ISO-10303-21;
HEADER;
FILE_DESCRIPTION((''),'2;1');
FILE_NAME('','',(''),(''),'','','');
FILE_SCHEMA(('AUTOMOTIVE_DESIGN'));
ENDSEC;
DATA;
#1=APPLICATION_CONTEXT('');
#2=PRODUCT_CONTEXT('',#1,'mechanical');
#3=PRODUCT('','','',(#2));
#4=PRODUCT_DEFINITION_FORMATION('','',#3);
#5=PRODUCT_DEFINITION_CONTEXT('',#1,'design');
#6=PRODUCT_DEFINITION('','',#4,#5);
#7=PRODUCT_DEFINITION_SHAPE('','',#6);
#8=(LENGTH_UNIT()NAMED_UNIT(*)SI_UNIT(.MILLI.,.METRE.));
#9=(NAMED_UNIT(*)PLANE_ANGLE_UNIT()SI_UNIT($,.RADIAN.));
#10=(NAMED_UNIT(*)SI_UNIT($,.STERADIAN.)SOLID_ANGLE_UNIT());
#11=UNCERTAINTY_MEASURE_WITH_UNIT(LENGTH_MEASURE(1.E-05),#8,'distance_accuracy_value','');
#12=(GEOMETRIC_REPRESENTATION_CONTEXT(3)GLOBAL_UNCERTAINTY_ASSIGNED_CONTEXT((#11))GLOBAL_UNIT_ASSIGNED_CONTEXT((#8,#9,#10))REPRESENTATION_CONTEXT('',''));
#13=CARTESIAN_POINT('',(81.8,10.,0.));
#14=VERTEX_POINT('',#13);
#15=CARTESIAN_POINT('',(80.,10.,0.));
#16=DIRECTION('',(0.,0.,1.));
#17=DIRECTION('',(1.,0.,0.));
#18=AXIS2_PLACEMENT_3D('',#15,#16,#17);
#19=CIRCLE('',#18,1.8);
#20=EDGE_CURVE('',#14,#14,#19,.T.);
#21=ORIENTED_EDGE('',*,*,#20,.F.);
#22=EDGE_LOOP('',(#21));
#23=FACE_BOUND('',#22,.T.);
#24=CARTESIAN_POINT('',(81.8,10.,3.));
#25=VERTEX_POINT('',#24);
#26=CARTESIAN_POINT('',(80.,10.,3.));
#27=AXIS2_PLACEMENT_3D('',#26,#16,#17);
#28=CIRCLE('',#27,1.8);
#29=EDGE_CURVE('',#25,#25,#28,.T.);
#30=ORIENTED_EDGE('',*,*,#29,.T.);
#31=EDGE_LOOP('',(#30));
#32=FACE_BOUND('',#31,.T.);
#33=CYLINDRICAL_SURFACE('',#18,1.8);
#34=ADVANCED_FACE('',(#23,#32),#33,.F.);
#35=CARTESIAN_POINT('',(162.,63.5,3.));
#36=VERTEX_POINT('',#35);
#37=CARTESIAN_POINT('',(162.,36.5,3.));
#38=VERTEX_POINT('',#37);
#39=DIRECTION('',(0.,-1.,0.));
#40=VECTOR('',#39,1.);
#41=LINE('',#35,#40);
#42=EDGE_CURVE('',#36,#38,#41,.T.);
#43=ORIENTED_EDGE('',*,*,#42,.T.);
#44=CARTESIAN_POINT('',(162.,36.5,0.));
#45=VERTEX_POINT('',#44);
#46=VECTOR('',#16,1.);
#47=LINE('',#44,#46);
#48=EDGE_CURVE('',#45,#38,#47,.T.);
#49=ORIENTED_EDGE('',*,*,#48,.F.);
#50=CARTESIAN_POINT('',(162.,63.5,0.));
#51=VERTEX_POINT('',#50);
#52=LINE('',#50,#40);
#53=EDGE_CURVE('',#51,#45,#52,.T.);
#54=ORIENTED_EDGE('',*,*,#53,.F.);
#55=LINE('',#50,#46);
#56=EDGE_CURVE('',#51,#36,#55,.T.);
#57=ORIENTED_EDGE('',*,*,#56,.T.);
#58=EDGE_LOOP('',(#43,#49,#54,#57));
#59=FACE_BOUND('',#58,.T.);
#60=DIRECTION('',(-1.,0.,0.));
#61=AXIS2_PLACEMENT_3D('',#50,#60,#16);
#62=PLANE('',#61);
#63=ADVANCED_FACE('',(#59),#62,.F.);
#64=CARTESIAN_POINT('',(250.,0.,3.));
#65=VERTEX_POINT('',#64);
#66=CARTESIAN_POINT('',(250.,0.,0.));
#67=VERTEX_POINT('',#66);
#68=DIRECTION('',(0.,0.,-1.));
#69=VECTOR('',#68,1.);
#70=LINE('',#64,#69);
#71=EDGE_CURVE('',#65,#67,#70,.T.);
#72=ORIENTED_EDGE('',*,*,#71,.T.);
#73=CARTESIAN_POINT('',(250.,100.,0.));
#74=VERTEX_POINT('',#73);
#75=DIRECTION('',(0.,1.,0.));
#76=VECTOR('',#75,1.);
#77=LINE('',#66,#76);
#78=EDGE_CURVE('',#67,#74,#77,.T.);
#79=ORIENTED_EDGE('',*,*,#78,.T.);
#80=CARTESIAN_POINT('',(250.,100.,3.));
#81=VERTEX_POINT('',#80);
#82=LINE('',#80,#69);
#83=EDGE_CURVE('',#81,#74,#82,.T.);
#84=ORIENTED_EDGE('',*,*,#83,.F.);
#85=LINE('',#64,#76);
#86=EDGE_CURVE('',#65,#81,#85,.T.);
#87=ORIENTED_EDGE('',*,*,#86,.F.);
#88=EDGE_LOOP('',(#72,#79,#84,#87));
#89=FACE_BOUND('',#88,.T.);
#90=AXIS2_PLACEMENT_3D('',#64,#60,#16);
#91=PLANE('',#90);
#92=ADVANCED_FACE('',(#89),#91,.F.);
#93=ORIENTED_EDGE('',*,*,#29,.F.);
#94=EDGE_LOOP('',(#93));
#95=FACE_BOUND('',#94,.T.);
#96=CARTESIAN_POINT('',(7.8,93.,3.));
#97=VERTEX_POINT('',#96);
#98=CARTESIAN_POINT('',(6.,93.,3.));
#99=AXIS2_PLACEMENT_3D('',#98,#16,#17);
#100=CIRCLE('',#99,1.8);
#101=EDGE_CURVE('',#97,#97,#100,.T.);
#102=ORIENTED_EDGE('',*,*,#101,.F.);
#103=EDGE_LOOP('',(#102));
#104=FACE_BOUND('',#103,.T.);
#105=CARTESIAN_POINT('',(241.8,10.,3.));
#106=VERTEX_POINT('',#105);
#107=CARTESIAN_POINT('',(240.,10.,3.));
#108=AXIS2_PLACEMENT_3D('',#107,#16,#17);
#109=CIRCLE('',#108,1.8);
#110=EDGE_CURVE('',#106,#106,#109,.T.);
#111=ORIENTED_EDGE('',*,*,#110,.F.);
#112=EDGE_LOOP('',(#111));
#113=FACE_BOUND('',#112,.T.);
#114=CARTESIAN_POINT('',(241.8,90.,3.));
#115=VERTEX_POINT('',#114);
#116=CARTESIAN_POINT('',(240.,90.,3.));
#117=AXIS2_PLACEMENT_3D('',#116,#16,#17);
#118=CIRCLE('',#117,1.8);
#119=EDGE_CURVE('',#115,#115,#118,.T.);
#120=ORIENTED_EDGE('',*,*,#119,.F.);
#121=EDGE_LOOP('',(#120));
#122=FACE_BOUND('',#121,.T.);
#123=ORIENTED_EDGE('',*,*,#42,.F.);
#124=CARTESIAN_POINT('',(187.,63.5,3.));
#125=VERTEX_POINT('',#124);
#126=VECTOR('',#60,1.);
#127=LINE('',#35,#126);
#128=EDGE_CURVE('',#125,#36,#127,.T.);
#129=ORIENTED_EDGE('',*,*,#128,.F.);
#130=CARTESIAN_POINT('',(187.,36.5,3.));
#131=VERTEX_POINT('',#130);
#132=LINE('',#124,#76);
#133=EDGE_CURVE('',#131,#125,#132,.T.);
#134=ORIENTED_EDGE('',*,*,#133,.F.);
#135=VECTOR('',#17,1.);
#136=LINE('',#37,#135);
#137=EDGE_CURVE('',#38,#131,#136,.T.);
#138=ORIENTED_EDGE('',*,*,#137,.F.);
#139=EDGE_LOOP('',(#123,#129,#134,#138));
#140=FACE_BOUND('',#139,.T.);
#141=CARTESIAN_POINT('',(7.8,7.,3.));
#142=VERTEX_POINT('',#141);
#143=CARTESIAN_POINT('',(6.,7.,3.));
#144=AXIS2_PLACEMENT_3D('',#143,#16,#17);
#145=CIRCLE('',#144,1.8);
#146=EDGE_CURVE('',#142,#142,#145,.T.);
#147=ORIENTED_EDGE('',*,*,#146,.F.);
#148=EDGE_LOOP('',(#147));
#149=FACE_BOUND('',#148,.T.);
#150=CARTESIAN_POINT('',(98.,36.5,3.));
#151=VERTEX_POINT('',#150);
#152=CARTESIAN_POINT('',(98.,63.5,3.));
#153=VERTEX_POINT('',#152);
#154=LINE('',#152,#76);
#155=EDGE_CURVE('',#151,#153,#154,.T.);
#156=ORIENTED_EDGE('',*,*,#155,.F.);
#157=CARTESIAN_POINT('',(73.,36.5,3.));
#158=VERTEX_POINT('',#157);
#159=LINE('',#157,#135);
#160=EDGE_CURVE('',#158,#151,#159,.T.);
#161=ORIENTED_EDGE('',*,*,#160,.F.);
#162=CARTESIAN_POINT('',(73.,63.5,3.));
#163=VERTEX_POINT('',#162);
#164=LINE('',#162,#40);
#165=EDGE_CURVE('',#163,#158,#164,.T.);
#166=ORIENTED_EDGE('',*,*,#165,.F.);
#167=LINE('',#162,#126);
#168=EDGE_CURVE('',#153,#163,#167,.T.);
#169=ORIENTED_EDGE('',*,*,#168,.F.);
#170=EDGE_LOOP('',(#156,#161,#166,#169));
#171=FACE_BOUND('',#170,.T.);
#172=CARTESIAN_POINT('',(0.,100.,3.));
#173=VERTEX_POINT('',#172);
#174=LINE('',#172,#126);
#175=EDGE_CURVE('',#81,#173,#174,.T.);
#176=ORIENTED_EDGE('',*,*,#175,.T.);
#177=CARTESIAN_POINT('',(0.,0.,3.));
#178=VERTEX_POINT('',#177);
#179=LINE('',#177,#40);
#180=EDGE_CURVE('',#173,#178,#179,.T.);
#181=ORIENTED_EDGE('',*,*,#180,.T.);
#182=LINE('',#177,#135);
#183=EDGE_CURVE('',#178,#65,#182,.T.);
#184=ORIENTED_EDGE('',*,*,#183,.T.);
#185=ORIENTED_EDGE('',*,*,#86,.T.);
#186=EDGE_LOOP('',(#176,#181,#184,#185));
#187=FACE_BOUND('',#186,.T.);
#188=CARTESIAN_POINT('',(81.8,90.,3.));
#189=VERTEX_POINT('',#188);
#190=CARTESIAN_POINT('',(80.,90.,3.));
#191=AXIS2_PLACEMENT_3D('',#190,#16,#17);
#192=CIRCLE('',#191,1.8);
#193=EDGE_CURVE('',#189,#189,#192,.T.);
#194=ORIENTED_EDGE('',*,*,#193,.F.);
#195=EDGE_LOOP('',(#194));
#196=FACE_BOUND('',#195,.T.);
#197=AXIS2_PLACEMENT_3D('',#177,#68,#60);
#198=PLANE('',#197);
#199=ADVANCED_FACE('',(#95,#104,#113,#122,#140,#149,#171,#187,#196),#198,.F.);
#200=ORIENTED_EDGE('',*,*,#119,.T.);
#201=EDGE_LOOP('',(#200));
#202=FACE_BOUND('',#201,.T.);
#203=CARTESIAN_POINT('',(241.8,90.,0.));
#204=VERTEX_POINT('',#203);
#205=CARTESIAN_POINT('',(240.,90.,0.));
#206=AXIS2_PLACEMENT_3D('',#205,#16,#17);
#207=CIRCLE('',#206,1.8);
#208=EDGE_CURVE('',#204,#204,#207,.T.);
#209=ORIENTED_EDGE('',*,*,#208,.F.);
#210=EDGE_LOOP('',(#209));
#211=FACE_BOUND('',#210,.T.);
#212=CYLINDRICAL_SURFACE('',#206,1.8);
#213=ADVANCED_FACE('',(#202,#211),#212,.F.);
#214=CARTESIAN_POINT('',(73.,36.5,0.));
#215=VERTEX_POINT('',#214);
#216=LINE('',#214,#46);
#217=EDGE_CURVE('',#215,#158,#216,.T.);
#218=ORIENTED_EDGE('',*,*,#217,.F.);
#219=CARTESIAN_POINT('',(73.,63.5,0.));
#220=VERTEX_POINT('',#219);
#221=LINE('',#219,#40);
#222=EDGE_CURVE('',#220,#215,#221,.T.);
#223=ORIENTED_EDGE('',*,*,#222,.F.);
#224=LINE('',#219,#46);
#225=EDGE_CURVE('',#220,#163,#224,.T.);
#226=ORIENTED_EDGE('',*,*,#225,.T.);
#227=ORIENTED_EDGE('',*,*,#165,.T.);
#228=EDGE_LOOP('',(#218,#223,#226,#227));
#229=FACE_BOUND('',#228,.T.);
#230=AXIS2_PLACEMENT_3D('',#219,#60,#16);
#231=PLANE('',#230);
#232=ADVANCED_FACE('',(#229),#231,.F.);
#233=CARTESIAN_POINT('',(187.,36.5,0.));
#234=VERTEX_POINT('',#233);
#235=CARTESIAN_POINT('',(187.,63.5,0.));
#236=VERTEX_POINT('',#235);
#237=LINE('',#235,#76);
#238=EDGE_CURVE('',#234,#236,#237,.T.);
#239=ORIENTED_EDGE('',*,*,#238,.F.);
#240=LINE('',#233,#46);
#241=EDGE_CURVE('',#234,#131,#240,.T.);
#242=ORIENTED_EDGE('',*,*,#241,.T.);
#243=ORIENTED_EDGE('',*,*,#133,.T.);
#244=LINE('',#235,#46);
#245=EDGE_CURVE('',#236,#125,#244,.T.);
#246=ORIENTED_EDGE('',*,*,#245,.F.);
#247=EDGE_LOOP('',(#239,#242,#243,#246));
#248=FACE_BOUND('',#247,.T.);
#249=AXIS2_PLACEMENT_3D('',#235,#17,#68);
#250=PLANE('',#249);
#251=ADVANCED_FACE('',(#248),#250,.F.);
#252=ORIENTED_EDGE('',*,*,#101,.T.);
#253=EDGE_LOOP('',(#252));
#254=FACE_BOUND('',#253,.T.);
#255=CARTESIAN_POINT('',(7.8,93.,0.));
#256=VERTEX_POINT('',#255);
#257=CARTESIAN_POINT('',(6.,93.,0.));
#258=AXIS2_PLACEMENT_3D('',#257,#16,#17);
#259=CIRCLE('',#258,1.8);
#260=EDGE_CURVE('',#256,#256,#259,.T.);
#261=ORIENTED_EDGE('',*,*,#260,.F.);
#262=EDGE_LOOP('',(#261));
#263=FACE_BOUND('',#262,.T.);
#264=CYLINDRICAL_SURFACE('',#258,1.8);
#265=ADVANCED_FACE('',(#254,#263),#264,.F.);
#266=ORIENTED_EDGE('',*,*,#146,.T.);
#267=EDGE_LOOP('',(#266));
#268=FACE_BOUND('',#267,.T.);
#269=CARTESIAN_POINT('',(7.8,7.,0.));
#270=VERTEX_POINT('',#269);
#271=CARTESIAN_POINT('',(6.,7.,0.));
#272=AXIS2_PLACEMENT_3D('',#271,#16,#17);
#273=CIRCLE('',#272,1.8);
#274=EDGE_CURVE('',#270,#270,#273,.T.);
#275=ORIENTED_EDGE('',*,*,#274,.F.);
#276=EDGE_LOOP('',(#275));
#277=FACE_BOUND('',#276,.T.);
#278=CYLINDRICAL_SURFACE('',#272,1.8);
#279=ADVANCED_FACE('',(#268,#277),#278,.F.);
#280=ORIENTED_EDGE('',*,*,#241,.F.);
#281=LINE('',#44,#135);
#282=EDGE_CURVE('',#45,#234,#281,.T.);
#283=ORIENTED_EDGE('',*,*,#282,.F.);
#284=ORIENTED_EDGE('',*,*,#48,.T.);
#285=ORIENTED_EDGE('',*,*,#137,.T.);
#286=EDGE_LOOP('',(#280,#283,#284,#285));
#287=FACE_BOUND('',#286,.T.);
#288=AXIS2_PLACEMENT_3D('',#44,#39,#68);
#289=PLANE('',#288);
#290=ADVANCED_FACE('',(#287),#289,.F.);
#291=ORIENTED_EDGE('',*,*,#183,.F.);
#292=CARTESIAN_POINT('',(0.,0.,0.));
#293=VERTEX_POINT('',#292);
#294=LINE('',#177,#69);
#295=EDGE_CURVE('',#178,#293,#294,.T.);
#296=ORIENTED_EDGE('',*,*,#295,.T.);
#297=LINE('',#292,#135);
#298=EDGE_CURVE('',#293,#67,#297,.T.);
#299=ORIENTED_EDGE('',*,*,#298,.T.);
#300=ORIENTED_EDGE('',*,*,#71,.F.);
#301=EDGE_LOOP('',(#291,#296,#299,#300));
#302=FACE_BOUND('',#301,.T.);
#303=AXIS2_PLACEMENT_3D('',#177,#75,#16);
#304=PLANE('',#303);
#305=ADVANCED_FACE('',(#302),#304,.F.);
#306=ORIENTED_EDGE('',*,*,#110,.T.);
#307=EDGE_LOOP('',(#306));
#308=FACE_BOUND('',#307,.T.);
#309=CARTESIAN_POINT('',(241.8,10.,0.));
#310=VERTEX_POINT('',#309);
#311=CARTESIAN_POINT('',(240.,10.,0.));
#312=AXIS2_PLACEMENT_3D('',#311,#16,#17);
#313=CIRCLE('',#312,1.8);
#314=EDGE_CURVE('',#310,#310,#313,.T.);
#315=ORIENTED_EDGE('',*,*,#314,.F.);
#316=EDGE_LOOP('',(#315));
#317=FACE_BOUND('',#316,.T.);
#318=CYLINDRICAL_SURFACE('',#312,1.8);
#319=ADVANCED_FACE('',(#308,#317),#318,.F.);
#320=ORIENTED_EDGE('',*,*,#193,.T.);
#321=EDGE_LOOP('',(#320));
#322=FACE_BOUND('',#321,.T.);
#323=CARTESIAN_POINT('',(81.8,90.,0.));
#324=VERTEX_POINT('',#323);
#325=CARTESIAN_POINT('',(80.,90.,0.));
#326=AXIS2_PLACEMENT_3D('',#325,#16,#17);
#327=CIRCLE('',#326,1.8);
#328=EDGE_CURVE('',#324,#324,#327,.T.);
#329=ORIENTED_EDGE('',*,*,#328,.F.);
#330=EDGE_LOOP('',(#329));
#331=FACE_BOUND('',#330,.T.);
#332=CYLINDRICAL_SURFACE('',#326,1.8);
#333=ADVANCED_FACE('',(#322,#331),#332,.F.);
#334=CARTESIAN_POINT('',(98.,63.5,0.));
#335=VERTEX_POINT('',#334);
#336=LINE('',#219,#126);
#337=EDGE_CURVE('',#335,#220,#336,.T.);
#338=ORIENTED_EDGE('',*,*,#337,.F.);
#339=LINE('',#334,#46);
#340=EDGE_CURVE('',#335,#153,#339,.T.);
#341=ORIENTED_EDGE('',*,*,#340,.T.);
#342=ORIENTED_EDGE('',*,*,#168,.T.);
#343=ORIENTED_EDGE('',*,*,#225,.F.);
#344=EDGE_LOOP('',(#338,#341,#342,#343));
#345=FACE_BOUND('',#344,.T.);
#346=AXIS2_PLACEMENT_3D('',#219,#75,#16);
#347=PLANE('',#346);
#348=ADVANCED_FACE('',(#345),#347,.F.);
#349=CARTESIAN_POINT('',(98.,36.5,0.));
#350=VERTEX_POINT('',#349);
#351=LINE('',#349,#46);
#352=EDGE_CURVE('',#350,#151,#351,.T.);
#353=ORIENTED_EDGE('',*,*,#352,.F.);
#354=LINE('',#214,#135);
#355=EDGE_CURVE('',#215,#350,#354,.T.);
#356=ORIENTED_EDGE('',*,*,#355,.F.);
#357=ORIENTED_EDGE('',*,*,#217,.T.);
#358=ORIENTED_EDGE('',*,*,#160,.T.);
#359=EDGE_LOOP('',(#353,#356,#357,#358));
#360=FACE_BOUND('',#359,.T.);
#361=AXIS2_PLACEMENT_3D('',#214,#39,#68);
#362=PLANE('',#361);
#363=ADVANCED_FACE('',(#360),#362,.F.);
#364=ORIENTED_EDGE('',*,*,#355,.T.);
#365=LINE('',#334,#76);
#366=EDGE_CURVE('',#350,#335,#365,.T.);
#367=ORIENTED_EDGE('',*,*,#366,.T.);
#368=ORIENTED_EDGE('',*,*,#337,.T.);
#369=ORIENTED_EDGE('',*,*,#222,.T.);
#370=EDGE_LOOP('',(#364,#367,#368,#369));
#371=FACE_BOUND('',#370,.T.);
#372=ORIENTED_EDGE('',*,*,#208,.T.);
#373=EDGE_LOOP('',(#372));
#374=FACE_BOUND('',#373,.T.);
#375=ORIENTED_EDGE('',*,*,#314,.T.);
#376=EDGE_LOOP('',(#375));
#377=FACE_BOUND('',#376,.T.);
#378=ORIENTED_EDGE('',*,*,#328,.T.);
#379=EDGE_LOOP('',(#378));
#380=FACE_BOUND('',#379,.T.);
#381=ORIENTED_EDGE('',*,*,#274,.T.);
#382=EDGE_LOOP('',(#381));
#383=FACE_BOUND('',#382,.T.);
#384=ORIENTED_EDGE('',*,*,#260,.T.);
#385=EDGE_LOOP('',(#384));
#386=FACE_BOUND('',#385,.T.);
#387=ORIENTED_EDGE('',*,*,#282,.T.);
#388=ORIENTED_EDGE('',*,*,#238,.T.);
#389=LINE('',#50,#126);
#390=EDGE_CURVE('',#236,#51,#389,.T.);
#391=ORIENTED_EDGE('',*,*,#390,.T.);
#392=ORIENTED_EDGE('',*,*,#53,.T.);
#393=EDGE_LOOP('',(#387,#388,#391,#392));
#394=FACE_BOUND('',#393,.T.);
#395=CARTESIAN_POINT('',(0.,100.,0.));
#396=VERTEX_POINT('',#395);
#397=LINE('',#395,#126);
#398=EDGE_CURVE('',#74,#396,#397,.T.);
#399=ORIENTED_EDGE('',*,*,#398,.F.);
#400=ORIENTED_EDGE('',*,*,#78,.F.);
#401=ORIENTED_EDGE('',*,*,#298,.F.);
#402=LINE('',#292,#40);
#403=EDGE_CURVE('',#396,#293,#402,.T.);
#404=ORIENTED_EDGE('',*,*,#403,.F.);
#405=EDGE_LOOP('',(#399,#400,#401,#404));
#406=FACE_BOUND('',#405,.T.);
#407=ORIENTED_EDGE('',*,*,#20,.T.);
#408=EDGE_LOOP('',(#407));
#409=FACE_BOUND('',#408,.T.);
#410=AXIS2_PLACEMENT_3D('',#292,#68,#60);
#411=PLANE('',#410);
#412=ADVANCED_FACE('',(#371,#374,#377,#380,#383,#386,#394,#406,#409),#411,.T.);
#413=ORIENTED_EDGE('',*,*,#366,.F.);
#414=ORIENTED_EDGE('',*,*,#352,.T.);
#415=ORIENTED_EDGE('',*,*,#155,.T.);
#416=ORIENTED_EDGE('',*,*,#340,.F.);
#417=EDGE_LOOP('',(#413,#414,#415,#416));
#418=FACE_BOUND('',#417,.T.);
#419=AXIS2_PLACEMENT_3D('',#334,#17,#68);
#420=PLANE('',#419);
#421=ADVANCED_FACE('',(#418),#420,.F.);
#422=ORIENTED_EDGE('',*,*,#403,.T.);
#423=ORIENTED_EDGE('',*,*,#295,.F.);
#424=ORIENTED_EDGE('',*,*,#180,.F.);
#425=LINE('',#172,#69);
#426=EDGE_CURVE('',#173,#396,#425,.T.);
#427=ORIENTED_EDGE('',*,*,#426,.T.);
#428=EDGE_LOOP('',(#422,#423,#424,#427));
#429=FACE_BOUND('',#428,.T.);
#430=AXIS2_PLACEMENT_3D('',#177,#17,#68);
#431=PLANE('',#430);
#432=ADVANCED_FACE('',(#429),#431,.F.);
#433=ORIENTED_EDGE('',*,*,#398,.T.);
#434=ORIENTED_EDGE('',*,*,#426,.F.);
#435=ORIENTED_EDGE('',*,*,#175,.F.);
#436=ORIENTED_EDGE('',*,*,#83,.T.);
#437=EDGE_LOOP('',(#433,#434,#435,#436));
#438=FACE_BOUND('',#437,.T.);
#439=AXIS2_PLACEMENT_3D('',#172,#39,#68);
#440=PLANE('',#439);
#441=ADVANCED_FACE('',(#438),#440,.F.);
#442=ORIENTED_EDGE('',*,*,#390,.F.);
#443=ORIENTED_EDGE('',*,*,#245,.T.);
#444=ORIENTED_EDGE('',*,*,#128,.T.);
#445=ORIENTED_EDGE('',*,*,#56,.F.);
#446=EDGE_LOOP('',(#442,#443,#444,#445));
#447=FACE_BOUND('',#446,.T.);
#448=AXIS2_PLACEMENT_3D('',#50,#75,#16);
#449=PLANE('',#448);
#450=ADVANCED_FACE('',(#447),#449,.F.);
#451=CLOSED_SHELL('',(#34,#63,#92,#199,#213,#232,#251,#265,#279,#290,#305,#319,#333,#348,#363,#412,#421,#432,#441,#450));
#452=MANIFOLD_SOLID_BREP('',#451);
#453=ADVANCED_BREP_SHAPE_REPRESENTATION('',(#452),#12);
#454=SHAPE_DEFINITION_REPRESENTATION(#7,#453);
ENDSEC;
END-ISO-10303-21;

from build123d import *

# Parameters (mm, degrees)
SKETCH1_W           = 250
SKETCH1_H           = 100
BOSS_EXTRUDE1_DEPTH = 3
SKETCH2_R           = 1.8
CUT_EXTRUDE1_DEPTH  = 4
SKETCH3_W           = 25
SKETCH3_H           = 27
CUT_EXTRUDE2_DEPTH  = 4


with BuildPart() as part:
    # Sketch1 → Boss-Extrude1 (new body)
    with BuildSketch(Plane.XY):
        with Locations((125, 50)):
            Rectangle(SKETCH1_W, SKETCH1_H)
    extrude(amount=BOSS_EXTRUDE1_DEPTH)

    # Sketch2 → Cut-Extrude1 (cut, through all)
    with BuildSketch(Plane.XY.offset(3)):
        with Locations((6, 93)):
            Circle(SKETCH2_R)
        with Locations((80, 90)):
            Circle(SKETCH2_R)
        with Locations((240, 90)):
            Circle(SKETCH2_R)
        with Locations((240, 10)):
            Circle(SKETCH2_R)
        with Locations((80, 10)):
            Circle(SKETCH2_R)
        with Locations((6, 7)):
            Circle(SKETCH2_R)
    extrude(amount=-CUT_EXTRUDE1_DEPTH, mode=Mode.SUBTRACT)

    # Sketch3 → Cut-Extrude2 (cut, through all)
    with BuildSketch(Plane.XY.offset(3)):
        with Locations((85.5, 50)):
            Rectangle(SKETCH3_W, SKETCH3_H)
        with Locations((174.5, 50)):
            Rectangle(SKETCH3_W, SKETCH3_H)
    extrude(amount=-CUT_EXTRUDE2_DEPTH, mode=Mode.SUBTRACT)


solid = part.part
